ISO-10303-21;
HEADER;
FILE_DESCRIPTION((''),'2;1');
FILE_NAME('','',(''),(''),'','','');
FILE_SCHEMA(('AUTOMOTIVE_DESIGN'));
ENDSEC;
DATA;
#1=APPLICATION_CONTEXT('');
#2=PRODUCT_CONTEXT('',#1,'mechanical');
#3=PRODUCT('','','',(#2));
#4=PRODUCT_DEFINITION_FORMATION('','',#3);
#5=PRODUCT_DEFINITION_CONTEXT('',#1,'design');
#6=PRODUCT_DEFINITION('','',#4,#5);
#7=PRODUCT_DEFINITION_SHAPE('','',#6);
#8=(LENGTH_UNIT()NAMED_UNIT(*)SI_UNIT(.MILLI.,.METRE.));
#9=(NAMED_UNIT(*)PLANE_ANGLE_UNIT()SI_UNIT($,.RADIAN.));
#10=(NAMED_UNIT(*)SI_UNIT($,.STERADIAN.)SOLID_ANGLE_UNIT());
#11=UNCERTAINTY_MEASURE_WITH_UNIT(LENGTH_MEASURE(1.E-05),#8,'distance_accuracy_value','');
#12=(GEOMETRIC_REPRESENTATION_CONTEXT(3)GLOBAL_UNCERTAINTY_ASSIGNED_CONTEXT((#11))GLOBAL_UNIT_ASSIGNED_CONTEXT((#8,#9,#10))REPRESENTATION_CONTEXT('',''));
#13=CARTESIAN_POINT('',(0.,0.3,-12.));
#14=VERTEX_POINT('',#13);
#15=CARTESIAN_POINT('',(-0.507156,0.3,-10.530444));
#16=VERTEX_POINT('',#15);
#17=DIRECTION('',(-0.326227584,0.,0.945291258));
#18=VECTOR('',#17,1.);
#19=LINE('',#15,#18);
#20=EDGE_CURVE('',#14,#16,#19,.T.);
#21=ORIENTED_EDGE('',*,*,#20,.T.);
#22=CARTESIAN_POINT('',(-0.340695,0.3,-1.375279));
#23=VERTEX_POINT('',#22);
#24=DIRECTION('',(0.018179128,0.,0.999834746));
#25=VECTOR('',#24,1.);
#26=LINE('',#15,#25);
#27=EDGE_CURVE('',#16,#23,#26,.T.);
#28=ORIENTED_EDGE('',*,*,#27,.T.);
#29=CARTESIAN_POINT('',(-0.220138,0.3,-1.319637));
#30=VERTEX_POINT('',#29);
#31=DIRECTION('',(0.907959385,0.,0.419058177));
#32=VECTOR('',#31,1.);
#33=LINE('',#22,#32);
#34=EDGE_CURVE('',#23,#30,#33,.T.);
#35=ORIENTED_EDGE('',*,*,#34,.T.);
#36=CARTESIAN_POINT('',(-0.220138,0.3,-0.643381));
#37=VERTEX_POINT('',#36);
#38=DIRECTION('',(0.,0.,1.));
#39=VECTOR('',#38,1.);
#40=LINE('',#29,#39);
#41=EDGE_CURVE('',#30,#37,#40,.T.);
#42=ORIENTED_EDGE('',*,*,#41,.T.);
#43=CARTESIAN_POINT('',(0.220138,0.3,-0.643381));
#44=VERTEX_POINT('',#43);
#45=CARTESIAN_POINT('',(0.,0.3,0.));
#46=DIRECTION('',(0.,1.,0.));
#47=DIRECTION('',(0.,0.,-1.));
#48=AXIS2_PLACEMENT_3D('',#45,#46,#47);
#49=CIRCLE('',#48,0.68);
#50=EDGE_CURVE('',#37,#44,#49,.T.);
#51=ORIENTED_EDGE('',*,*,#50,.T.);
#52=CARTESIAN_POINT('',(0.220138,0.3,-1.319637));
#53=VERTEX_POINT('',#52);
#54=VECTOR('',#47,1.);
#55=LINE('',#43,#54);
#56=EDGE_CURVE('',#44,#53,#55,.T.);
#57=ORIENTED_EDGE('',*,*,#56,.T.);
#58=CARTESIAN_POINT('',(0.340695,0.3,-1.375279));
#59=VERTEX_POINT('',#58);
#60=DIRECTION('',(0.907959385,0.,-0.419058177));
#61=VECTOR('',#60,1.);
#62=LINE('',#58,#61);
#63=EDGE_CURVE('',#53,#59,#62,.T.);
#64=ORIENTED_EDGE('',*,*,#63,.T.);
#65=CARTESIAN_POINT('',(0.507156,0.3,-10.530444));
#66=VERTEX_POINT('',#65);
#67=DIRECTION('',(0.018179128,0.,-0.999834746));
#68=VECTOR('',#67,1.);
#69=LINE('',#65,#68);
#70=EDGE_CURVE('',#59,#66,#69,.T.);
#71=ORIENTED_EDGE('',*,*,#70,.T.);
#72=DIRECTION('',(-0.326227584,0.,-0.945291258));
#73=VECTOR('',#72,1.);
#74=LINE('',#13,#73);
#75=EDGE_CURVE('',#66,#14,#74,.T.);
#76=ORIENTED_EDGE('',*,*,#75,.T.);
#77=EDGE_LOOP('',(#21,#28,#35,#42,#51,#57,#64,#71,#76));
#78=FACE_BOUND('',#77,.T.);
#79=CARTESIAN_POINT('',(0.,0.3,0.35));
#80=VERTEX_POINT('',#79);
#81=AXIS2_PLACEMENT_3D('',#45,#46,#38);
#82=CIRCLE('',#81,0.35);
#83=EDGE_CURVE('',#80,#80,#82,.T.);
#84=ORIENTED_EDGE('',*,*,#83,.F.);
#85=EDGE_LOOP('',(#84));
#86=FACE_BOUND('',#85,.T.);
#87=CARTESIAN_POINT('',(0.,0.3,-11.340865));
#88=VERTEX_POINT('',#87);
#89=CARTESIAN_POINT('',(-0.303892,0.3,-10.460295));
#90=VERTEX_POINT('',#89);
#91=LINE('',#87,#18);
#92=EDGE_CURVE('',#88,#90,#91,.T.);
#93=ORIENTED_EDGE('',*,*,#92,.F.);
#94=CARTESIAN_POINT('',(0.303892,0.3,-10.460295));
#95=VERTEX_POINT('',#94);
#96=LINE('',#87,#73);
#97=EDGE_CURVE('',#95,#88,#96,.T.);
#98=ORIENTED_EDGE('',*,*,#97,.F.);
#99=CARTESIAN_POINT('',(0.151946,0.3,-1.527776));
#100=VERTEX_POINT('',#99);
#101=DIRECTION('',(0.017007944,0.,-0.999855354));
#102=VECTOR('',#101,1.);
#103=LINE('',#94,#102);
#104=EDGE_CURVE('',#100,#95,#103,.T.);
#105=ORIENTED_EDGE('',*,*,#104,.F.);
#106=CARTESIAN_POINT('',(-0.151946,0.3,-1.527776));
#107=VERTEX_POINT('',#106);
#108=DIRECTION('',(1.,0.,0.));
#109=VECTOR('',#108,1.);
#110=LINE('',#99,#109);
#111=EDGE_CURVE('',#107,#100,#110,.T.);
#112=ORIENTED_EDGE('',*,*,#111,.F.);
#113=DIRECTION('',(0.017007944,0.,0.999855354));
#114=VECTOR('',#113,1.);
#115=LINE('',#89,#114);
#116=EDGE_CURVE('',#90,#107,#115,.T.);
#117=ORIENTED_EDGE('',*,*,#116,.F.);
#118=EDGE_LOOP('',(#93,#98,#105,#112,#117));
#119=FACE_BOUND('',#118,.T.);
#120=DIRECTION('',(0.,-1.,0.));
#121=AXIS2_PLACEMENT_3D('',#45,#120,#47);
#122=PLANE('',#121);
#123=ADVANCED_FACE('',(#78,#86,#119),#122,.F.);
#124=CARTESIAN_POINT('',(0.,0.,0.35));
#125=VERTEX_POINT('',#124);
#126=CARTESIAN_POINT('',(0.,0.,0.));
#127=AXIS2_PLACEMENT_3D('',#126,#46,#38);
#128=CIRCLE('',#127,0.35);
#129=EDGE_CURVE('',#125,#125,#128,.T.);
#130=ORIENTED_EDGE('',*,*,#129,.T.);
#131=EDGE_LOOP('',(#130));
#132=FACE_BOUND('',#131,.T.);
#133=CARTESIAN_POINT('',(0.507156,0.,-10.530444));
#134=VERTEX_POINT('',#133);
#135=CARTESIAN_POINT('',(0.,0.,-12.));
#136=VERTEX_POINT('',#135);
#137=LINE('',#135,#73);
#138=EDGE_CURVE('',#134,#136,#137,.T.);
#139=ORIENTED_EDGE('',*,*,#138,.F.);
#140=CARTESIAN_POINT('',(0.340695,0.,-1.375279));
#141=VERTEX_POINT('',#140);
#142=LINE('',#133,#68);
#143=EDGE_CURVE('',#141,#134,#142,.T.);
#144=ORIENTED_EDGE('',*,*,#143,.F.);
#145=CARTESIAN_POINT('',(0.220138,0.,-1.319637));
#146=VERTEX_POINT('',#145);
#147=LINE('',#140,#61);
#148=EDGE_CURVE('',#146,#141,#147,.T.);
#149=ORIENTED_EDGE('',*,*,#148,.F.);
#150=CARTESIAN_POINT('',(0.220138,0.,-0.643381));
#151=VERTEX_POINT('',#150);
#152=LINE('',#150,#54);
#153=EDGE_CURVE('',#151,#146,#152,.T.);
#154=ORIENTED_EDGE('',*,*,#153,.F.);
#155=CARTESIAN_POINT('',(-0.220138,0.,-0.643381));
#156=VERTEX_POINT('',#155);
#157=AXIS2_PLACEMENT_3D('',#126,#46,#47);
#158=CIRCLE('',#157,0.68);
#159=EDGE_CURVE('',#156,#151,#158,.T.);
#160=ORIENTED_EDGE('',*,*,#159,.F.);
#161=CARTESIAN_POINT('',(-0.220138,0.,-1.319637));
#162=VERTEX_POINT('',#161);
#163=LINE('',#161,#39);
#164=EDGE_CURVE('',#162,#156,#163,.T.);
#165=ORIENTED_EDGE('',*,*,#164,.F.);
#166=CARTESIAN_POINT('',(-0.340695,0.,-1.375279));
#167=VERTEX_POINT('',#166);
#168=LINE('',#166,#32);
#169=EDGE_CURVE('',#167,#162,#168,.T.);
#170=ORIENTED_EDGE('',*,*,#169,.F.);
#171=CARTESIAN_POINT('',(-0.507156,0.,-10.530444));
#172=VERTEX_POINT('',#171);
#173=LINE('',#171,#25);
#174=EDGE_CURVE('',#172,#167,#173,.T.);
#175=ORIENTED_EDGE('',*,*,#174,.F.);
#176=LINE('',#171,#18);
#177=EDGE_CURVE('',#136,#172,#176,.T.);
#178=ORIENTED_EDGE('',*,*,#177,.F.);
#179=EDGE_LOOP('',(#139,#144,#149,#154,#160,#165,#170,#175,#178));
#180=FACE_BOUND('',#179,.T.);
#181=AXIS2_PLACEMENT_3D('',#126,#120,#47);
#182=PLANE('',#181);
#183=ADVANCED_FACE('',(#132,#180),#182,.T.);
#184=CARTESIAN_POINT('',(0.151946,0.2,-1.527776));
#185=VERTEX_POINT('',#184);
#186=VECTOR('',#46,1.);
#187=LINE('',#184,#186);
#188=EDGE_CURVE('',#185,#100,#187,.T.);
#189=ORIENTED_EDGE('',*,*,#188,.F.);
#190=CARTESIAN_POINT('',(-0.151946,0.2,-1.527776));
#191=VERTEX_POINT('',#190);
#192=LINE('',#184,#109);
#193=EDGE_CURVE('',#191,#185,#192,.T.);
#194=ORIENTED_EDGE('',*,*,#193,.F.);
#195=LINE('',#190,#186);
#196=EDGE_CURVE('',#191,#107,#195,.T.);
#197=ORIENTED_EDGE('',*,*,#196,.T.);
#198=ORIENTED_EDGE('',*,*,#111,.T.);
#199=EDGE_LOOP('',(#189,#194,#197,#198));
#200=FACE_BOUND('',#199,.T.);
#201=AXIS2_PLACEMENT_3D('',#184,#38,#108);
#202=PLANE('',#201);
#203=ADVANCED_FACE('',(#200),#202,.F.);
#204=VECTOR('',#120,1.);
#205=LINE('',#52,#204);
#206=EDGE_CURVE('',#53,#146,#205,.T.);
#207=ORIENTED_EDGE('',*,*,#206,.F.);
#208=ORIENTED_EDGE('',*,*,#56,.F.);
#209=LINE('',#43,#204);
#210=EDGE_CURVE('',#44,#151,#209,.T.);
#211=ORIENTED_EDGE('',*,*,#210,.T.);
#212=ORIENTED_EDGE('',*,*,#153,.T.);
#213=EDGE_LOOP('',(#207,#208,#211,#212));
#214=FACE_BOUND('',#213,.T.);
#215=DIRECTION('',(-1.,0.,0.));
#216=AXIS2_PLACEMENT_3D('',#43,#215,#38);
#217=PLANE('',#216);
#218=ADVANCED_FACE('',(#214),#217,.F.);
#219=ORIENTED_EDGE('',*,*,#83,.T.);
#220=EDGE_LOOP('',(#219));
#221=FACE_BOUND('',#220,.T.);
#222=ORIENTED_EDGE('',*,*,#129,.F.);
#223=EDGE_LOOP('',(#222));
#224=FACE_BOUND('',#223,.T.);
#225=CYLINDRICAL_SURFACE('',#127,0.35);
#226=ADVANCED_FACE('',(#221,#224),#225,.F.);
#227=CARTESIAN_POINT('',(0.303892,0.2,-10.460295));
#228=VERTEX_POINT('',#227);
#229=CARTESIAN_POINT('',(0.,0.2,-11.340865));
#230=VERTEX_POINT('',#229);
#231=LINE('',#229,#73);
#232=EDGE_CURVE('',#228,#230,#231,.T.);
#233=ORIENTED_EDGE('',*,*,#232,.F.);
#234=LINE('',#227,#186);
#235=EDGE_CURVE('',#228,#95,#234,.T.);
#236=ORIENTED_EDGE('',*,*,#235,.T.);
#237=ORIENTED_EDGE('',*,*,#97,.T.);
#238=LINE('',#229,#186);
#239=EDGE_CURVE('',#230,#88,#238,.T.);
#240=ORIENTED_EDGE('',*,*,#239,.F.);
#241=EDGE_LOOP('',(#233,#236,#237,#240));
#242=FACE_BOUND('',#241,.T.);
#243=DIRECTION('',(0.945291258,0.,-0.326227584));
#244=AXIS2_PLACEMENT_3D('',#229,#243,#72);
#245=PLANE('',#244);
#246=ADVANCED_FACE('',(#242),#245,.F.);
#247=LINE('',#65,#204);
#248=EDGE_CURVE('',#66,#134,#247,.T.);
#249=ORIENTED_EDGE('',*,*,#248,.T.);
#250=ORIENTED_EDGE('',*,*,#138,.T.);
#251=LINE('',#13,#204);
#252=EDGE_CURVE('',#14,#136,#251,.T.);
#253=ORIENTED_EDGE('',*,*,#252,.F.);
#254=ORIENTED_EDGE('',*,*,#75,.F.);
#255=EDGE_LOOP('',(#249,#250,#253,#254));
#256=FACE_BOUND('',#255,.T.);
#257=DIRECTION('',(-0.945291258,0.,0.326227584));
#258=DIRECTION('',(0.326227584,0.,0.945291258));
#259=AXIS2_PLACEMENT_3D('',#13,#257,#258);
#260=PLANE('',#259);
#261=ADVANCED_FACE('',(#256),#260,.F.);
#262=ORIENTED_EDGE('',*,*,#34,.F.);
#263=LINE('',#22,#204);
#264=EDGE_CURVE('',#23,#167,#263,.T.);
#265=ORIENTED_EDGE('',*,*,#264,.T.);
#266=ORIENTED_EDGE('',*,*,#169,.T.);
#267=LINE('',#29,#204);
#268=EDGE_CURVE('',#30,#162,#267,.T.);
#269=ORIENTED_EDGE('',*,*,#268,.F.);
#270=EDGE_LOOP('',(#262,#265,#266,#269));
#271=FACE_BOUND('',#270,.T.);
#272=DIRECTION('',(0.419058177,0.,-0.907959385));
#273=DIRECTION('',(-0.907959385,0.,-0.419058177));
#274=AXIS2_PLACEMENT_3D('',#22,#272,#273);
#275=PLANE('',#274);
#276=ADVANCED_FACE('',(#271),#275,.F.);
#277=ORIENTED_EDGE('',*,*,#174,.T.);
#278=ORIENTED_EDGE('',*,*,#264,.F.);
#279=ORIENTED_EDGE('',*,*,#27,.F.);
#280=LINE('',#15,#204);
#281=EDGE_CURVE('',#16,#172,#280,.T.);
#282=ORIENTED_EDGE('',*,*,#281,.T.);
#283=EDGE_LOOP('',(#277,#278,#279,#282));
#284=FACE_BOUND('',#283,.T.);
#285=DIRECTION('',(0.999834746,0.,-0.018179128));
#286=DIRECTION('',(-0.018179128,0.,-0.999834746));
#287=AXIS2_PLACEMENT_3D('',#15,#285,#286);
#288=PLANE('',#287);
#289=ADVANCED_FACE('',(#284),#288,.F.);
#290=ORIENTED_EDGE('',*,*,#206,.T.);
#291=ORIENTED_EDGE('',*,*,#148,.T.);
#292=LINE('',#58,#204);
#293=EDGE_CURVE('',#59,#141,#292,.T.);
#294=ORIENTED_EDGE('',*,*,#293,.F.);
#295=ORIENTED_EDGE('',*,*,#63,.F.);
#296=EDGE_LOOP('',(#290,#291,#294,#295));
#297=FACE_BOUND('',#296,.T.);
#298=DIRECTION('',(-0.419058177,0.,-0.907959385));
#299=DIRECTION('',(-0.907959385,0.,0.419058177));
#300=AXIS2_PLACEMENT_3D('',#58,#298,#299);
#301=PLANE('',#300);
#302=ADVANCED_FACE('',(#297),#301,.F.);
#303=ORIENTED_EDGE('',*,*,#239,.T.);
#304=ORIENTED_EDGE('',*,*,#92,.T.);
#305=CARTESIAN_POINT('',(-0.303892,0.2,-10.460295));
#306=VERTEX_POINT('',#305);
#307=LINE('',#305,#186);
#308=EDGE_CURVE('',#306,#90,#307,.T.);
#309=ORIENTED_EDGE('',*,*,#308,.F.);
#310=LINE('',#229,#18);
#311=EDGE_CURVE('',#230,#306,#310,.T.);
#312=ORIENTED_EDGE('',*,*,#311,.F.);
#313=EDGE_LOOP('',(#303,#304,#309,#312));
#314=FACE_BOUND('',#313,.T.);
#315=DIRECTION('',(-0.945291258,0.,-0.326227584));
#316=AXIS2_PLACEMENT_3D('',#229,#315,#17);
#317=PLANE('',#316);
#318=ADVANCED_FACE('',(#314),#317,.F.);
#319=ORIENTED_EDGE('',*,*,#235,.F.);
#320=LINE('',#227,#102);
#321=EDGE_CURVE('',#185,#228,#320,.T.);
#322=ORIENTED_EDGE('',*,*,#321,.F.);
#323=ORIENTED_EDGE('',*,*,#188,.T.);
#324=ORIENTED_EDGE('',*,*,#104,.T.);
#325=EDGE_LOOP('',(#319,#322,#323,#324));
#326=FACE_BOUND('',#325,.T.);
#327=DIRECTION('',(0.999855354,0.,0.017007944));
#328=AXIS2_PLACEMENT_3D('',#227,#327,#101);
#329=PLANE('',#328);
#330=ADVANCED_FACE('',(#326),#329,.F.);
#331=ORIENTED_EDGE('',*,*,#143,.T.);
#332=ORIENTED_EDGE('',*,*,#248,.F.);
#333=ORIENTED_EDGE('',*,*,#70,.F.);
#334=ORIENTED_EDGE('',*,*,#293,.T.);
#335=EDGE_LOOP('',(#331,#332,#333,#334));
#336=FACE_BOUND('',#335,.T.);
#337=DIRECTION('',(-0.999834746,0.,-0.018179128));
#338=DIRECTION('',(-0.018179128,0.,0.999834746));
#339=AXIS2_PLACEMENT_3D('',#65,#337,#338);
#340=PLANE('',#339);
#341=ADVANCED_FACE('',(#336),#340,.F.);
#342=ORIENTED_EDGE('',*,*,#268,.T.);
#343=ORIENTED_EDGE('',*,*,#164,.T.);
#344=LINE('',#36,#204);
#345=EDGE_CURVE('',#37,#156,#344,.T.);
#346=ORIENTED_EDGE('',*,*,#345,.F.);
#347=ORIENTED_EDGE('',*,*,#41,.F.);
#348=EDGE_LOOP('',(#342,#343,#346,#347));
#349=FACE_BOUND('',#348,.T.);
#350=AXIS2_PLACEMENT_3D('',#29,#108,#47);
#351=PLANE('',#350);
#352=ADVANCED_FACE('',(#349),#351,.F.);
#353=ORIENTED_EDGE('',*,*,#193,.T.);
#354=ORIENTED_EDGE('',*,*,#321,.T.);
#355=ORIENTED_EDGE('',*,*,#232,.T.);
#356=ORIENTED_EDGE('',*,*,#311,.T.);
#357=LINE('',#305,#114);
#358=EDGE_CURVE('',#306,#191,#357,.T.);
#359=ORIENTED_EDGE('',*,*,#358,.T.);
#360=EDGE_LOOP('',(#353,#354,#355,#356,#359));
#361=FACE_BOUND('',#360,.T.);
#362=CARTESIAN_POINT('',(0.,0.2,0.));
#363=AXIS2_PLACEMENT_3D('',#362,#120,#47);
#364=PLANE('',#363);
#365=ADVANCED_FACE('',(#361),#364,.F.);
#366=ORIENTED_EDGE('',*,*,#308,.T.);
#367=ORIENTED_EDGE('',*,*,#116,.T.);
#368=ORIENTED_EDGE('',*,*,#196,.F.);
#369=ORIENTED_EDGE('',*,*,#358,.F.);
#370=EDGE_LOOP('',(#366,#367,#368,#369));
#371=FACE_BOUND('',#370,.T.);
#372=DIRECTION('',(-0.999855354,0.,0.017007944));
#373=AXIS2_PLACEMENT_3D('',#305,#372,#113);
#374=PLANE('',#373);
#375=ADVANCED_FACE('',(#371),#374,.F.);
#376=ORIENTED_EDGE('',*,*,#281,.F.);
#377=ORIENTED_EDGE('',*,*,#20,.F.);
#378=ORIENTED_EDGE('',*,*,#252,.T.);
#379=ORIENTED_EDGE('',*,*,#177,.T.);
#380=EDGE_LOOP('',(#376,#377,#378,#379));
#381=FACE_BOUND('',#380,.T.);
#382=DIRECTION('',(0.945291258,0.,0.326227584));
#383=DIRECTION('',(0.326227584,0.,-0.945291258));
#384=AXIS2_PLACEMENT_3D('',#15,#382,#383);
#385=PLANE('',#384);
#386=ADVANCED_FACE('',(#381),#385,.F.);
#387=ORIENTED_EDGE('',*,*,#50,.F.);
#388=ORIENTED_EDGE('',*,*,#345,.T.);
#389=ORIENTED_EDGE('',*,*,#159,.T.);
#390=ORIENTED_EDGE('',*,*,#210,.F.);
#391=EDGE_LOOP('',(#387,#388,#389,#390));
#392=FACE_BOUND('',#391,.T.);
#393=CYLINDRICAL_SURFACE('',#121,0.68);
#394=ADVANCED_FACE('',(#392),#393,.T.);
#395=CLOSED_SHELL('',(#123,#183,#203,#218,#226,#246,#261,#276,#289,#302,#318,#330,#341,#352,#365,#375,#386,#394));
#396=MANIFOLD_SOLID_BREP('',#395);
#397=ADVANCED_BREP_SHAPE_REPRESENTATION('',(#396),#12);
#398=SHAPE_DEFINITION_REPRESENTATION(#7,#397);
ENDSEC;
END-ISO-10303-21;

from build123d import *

# Parameters (mm, degrees)
BOSS_EXTRUDE1_DEPTH = 0.3
SKETCH2_R           = 0.35
CUT_EXTRUDE1_DEPTH  = 0.3
CUT_EXTRUDE2_DEPTH  = 0.1


with BuildPart() as part:
    # Sketch1 → Boss-Extrude1 (new body)
    with BuildSketch(Plane(origin=(0, 0, 0), x_dir=(1, 0, 0), z_dir=(0, 1, 0))):
        with BuildLine():
            Line((-0.220137797, 1.319636721), (-0.220137797, 0.643381186))
            ThreePointArc((-0.220137797, 0.643381186), (0, -0.68), (0.220137797, 0.643381186))
            Line((0.220137797, 0.643381186), (0.220137797, 1.319636721))
            Line((0.220137797, 1.319636721), (0.34069528, 1.375278636))
            Line((0.34069528, 1.375278636), (0.507155702, 10.530443548))
            Line((0.507155702, 10.530443548), (0, 12))
            Line((0, 12), (-0.507155702, 10.530443548))
            Line((-0.507155702, 10.530443548), (-0.34069528, 1.375278636))
            Line((-0.34069528, 1.375278636), (-0.220137797, 1.319636721))
        make_face()
    extrude(amount=BOSS_EXTRUDE1_DEPTH)

    # Sketch2 → Cut-Extrude1 (cut)
    with BuildSketch(Plane(origin=(0, 0.3, 0), x_dir=(1, 0, 0), z_dir=(0, 1, 0))):
        Circle(SKETCH2_R)
    extrude(amount=-CUT_EXTRUDE1_DEPTH, mode=Mode.SUBTRACT)

    # Sketch3 → Cut-Extrude2 (cut)
    with BuildSketch(Plane(origin=(0, 0.3, 0), x_dir=(1, 0, 0), z_dir=(0, 1, 0))):
        Polygon((0, 11.340864844), (0.303891547, 10.460295461), (0.151945774, 1.527775516), (-0.151945774, 1.527775516), (-0.303891547, 10.460295461), align=None)
    extrude(amount=-CUT_EXTRUDE2_DEPTH, mode=Mode.SUBTRACT)


solid = part.part
